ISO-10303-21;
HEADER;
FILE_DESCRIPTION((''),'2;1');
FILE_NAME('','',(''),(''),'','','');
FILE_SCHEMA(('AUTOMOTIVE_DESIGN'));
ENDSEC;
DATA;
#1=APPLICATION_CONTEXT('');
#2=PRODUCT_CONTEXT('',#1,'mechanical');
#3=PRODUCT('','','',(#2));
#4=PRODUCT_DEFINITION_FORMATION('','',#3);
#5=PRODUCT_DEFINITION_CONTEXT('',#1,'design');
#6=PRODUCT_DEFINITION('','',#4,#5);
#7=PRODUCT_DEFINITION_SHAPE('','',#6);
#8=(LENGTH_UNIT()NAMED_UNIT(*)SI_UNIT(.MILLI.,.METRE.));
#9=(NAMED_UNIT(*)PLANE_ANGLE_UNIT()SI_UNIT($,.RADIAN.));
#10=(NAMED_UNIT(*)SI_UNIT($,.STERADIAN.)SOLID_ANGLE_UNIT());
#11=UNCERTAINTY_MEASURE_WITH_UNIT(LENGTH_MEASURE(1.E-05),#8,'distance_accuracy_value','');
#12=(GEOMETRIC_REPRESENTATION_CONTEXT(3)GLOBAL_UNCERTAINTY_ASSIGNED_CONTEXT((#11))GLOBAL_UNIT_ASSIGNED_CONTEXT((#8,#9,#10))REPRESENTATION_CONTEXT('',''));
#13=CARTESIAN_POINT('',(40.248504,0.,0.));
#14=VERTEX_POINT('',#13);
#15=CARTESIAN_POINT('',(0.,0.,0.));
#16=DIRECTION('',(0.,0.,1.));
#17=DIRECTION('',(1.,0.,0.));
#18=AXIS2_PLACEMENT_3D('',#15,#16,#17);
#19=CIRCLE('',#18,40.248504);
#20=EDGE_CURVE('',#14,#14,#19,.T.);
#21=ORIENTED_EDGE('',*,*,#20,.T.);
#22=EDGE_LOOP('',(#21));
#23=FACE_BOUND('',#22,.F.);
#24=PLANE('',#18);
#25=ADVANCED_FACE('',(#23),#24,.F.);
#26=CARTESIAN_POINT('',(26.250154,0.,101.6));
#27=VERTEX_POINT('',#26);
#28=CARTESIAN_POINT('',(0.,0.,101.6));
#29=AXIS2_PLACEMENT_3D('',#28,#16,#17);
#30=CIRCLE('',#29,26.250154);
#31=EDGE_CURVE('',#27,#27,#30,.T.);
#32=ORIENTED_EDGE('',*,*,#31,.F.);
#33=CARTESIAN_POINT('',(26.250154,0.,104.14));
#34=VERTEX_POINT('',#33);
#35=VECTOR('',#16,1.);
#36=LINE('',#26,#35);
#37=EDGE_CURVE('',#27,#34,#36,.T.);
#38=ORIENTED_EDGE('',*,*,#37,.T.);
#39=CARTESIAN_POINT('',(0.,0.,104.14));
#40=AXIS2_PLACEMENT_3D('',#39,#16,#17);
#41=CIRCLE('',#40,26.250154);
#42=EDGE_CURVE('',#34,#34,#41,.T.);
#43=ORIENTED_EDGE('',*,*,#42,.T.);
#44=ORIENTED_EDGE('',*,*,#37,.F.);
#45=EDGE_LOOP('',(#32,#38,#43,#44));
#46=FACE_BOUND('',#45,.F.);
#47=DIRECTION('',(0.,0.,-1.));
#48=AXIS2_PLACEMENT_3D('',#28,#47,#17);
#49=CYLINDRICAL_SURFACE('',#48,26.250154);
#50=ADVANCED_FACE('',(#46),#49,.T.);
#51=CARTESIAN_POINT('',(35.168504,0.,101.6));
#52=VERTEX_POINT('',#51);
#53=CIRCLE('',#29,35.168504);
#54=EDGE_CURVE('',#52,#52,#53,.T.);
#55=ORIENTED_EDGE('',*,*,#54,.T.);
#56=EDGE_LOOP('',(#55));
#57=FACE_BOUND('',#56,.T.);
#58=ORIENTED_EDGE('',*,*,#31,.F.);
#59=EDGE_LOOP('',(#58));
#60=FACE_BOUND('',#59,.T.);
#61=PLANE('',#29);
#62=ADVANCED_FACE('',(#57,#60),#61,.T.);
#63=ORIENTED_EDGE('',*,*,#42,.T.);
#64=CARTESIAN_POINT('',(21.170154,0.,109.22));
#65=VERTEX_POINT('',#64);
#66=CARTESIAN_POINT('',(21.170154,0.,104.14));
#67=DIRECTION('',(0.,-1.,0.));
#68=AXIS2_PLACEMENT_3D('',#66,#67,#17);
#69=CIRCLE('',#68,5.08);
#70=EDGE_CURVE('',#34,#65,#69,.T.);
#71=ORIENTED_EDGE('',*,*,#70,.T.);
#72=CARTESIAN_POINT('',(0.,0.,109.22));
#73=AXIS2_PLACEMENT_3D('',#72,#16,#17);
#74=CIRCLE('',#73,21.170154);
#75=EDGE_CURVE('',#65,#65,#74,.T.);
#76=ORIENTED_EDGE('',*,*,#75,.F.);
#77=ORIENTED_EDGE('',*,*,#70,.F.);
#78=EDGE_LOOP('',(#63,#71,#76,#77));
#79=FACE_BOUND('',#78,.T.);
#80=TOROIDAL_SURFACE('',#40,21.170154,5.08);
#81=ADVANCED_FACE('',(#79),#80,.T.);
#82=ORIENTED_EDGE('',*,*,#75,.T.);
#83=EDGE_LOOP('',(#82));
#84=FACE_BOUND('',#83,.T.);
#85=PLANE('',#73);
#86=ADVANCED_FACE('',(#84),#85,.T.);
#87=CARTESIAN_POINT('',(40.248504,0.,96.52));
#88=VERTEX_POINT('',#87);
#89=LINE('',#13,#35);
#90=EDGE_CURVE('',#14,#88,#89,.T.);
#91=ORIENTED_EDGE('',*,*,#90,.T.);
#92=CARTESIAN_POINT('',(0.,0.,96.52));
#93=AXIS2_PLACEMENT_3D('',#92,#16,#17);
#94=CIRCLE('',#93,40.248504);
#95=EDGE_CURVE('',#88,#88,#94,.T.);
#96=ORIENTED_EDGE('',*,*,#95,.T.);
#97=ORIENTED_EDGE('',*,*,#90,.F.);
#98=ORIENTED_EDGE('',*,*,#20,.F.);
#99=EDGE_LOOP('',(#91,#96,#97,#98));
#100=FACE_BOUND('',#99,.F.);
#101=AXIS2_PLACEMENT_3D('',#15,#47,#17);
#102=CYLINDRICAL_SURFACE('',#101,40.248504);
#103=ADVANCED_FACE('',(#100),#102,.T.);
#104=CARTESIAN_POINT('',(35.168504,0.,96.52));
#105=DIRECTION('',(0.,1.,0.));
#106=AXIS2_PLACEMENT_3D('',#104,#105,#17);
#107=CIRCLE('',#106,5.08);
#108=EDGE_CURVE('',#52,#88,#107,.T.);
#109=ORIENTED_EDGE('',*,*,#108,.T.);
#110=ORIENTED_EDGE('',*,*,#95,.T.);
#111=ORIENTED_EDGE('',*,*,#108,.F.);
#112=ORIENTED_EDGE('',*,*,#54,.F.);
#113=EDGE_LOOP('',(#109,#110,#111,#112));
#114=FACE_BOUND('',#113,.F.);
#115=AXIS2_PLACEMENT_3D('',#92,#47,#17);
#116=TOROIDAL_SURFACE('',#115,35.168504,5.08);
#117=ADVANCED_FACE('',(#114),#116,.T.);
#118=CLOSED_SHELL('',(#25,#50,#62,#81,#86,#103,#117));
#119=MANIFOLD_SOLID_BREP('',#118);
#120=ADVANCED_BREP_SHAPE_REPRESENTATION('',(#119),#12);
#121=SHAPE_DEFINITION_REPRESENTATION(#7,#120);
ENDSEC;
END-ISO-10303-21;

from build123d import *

# Parameters (mm, degrees)
F0_R     = 40.248504
F1_DEPTH = 101.6
F2_R     = 26.250154
F3_DEPTH = 7.62
F4_R     = 5.08
F5_R     = 5.08


with BuildPart() as f1:
    # F0 (on Top) → F1 (new body)
    with BuildSketch(Plane.XY):
        Circle(F0_R)
    extrude(amount=F1_DEPTH)

    # F2 (on face) → F3 (join)
    with BuildSketch(Plane.XY.offset(101.6)):
        Circle(F2_R)
    extrude(amount=F3_DEPTH)

    # F4
    f4_edges = [f1.edges().sort_by_distance(p)[0] for p in [
        (-26.250154, 0, 109.22),
    ]]
    fillet(f4_edges, radius=F4_R)

    # F5
    f5_edges = [f1.edges().sort_by_distance(p)[0] for p in [
        (-40.248504, 0, 101.6),
    ]]
    fillet(f5_edges, radius=F5_R)


solid = f1.part
